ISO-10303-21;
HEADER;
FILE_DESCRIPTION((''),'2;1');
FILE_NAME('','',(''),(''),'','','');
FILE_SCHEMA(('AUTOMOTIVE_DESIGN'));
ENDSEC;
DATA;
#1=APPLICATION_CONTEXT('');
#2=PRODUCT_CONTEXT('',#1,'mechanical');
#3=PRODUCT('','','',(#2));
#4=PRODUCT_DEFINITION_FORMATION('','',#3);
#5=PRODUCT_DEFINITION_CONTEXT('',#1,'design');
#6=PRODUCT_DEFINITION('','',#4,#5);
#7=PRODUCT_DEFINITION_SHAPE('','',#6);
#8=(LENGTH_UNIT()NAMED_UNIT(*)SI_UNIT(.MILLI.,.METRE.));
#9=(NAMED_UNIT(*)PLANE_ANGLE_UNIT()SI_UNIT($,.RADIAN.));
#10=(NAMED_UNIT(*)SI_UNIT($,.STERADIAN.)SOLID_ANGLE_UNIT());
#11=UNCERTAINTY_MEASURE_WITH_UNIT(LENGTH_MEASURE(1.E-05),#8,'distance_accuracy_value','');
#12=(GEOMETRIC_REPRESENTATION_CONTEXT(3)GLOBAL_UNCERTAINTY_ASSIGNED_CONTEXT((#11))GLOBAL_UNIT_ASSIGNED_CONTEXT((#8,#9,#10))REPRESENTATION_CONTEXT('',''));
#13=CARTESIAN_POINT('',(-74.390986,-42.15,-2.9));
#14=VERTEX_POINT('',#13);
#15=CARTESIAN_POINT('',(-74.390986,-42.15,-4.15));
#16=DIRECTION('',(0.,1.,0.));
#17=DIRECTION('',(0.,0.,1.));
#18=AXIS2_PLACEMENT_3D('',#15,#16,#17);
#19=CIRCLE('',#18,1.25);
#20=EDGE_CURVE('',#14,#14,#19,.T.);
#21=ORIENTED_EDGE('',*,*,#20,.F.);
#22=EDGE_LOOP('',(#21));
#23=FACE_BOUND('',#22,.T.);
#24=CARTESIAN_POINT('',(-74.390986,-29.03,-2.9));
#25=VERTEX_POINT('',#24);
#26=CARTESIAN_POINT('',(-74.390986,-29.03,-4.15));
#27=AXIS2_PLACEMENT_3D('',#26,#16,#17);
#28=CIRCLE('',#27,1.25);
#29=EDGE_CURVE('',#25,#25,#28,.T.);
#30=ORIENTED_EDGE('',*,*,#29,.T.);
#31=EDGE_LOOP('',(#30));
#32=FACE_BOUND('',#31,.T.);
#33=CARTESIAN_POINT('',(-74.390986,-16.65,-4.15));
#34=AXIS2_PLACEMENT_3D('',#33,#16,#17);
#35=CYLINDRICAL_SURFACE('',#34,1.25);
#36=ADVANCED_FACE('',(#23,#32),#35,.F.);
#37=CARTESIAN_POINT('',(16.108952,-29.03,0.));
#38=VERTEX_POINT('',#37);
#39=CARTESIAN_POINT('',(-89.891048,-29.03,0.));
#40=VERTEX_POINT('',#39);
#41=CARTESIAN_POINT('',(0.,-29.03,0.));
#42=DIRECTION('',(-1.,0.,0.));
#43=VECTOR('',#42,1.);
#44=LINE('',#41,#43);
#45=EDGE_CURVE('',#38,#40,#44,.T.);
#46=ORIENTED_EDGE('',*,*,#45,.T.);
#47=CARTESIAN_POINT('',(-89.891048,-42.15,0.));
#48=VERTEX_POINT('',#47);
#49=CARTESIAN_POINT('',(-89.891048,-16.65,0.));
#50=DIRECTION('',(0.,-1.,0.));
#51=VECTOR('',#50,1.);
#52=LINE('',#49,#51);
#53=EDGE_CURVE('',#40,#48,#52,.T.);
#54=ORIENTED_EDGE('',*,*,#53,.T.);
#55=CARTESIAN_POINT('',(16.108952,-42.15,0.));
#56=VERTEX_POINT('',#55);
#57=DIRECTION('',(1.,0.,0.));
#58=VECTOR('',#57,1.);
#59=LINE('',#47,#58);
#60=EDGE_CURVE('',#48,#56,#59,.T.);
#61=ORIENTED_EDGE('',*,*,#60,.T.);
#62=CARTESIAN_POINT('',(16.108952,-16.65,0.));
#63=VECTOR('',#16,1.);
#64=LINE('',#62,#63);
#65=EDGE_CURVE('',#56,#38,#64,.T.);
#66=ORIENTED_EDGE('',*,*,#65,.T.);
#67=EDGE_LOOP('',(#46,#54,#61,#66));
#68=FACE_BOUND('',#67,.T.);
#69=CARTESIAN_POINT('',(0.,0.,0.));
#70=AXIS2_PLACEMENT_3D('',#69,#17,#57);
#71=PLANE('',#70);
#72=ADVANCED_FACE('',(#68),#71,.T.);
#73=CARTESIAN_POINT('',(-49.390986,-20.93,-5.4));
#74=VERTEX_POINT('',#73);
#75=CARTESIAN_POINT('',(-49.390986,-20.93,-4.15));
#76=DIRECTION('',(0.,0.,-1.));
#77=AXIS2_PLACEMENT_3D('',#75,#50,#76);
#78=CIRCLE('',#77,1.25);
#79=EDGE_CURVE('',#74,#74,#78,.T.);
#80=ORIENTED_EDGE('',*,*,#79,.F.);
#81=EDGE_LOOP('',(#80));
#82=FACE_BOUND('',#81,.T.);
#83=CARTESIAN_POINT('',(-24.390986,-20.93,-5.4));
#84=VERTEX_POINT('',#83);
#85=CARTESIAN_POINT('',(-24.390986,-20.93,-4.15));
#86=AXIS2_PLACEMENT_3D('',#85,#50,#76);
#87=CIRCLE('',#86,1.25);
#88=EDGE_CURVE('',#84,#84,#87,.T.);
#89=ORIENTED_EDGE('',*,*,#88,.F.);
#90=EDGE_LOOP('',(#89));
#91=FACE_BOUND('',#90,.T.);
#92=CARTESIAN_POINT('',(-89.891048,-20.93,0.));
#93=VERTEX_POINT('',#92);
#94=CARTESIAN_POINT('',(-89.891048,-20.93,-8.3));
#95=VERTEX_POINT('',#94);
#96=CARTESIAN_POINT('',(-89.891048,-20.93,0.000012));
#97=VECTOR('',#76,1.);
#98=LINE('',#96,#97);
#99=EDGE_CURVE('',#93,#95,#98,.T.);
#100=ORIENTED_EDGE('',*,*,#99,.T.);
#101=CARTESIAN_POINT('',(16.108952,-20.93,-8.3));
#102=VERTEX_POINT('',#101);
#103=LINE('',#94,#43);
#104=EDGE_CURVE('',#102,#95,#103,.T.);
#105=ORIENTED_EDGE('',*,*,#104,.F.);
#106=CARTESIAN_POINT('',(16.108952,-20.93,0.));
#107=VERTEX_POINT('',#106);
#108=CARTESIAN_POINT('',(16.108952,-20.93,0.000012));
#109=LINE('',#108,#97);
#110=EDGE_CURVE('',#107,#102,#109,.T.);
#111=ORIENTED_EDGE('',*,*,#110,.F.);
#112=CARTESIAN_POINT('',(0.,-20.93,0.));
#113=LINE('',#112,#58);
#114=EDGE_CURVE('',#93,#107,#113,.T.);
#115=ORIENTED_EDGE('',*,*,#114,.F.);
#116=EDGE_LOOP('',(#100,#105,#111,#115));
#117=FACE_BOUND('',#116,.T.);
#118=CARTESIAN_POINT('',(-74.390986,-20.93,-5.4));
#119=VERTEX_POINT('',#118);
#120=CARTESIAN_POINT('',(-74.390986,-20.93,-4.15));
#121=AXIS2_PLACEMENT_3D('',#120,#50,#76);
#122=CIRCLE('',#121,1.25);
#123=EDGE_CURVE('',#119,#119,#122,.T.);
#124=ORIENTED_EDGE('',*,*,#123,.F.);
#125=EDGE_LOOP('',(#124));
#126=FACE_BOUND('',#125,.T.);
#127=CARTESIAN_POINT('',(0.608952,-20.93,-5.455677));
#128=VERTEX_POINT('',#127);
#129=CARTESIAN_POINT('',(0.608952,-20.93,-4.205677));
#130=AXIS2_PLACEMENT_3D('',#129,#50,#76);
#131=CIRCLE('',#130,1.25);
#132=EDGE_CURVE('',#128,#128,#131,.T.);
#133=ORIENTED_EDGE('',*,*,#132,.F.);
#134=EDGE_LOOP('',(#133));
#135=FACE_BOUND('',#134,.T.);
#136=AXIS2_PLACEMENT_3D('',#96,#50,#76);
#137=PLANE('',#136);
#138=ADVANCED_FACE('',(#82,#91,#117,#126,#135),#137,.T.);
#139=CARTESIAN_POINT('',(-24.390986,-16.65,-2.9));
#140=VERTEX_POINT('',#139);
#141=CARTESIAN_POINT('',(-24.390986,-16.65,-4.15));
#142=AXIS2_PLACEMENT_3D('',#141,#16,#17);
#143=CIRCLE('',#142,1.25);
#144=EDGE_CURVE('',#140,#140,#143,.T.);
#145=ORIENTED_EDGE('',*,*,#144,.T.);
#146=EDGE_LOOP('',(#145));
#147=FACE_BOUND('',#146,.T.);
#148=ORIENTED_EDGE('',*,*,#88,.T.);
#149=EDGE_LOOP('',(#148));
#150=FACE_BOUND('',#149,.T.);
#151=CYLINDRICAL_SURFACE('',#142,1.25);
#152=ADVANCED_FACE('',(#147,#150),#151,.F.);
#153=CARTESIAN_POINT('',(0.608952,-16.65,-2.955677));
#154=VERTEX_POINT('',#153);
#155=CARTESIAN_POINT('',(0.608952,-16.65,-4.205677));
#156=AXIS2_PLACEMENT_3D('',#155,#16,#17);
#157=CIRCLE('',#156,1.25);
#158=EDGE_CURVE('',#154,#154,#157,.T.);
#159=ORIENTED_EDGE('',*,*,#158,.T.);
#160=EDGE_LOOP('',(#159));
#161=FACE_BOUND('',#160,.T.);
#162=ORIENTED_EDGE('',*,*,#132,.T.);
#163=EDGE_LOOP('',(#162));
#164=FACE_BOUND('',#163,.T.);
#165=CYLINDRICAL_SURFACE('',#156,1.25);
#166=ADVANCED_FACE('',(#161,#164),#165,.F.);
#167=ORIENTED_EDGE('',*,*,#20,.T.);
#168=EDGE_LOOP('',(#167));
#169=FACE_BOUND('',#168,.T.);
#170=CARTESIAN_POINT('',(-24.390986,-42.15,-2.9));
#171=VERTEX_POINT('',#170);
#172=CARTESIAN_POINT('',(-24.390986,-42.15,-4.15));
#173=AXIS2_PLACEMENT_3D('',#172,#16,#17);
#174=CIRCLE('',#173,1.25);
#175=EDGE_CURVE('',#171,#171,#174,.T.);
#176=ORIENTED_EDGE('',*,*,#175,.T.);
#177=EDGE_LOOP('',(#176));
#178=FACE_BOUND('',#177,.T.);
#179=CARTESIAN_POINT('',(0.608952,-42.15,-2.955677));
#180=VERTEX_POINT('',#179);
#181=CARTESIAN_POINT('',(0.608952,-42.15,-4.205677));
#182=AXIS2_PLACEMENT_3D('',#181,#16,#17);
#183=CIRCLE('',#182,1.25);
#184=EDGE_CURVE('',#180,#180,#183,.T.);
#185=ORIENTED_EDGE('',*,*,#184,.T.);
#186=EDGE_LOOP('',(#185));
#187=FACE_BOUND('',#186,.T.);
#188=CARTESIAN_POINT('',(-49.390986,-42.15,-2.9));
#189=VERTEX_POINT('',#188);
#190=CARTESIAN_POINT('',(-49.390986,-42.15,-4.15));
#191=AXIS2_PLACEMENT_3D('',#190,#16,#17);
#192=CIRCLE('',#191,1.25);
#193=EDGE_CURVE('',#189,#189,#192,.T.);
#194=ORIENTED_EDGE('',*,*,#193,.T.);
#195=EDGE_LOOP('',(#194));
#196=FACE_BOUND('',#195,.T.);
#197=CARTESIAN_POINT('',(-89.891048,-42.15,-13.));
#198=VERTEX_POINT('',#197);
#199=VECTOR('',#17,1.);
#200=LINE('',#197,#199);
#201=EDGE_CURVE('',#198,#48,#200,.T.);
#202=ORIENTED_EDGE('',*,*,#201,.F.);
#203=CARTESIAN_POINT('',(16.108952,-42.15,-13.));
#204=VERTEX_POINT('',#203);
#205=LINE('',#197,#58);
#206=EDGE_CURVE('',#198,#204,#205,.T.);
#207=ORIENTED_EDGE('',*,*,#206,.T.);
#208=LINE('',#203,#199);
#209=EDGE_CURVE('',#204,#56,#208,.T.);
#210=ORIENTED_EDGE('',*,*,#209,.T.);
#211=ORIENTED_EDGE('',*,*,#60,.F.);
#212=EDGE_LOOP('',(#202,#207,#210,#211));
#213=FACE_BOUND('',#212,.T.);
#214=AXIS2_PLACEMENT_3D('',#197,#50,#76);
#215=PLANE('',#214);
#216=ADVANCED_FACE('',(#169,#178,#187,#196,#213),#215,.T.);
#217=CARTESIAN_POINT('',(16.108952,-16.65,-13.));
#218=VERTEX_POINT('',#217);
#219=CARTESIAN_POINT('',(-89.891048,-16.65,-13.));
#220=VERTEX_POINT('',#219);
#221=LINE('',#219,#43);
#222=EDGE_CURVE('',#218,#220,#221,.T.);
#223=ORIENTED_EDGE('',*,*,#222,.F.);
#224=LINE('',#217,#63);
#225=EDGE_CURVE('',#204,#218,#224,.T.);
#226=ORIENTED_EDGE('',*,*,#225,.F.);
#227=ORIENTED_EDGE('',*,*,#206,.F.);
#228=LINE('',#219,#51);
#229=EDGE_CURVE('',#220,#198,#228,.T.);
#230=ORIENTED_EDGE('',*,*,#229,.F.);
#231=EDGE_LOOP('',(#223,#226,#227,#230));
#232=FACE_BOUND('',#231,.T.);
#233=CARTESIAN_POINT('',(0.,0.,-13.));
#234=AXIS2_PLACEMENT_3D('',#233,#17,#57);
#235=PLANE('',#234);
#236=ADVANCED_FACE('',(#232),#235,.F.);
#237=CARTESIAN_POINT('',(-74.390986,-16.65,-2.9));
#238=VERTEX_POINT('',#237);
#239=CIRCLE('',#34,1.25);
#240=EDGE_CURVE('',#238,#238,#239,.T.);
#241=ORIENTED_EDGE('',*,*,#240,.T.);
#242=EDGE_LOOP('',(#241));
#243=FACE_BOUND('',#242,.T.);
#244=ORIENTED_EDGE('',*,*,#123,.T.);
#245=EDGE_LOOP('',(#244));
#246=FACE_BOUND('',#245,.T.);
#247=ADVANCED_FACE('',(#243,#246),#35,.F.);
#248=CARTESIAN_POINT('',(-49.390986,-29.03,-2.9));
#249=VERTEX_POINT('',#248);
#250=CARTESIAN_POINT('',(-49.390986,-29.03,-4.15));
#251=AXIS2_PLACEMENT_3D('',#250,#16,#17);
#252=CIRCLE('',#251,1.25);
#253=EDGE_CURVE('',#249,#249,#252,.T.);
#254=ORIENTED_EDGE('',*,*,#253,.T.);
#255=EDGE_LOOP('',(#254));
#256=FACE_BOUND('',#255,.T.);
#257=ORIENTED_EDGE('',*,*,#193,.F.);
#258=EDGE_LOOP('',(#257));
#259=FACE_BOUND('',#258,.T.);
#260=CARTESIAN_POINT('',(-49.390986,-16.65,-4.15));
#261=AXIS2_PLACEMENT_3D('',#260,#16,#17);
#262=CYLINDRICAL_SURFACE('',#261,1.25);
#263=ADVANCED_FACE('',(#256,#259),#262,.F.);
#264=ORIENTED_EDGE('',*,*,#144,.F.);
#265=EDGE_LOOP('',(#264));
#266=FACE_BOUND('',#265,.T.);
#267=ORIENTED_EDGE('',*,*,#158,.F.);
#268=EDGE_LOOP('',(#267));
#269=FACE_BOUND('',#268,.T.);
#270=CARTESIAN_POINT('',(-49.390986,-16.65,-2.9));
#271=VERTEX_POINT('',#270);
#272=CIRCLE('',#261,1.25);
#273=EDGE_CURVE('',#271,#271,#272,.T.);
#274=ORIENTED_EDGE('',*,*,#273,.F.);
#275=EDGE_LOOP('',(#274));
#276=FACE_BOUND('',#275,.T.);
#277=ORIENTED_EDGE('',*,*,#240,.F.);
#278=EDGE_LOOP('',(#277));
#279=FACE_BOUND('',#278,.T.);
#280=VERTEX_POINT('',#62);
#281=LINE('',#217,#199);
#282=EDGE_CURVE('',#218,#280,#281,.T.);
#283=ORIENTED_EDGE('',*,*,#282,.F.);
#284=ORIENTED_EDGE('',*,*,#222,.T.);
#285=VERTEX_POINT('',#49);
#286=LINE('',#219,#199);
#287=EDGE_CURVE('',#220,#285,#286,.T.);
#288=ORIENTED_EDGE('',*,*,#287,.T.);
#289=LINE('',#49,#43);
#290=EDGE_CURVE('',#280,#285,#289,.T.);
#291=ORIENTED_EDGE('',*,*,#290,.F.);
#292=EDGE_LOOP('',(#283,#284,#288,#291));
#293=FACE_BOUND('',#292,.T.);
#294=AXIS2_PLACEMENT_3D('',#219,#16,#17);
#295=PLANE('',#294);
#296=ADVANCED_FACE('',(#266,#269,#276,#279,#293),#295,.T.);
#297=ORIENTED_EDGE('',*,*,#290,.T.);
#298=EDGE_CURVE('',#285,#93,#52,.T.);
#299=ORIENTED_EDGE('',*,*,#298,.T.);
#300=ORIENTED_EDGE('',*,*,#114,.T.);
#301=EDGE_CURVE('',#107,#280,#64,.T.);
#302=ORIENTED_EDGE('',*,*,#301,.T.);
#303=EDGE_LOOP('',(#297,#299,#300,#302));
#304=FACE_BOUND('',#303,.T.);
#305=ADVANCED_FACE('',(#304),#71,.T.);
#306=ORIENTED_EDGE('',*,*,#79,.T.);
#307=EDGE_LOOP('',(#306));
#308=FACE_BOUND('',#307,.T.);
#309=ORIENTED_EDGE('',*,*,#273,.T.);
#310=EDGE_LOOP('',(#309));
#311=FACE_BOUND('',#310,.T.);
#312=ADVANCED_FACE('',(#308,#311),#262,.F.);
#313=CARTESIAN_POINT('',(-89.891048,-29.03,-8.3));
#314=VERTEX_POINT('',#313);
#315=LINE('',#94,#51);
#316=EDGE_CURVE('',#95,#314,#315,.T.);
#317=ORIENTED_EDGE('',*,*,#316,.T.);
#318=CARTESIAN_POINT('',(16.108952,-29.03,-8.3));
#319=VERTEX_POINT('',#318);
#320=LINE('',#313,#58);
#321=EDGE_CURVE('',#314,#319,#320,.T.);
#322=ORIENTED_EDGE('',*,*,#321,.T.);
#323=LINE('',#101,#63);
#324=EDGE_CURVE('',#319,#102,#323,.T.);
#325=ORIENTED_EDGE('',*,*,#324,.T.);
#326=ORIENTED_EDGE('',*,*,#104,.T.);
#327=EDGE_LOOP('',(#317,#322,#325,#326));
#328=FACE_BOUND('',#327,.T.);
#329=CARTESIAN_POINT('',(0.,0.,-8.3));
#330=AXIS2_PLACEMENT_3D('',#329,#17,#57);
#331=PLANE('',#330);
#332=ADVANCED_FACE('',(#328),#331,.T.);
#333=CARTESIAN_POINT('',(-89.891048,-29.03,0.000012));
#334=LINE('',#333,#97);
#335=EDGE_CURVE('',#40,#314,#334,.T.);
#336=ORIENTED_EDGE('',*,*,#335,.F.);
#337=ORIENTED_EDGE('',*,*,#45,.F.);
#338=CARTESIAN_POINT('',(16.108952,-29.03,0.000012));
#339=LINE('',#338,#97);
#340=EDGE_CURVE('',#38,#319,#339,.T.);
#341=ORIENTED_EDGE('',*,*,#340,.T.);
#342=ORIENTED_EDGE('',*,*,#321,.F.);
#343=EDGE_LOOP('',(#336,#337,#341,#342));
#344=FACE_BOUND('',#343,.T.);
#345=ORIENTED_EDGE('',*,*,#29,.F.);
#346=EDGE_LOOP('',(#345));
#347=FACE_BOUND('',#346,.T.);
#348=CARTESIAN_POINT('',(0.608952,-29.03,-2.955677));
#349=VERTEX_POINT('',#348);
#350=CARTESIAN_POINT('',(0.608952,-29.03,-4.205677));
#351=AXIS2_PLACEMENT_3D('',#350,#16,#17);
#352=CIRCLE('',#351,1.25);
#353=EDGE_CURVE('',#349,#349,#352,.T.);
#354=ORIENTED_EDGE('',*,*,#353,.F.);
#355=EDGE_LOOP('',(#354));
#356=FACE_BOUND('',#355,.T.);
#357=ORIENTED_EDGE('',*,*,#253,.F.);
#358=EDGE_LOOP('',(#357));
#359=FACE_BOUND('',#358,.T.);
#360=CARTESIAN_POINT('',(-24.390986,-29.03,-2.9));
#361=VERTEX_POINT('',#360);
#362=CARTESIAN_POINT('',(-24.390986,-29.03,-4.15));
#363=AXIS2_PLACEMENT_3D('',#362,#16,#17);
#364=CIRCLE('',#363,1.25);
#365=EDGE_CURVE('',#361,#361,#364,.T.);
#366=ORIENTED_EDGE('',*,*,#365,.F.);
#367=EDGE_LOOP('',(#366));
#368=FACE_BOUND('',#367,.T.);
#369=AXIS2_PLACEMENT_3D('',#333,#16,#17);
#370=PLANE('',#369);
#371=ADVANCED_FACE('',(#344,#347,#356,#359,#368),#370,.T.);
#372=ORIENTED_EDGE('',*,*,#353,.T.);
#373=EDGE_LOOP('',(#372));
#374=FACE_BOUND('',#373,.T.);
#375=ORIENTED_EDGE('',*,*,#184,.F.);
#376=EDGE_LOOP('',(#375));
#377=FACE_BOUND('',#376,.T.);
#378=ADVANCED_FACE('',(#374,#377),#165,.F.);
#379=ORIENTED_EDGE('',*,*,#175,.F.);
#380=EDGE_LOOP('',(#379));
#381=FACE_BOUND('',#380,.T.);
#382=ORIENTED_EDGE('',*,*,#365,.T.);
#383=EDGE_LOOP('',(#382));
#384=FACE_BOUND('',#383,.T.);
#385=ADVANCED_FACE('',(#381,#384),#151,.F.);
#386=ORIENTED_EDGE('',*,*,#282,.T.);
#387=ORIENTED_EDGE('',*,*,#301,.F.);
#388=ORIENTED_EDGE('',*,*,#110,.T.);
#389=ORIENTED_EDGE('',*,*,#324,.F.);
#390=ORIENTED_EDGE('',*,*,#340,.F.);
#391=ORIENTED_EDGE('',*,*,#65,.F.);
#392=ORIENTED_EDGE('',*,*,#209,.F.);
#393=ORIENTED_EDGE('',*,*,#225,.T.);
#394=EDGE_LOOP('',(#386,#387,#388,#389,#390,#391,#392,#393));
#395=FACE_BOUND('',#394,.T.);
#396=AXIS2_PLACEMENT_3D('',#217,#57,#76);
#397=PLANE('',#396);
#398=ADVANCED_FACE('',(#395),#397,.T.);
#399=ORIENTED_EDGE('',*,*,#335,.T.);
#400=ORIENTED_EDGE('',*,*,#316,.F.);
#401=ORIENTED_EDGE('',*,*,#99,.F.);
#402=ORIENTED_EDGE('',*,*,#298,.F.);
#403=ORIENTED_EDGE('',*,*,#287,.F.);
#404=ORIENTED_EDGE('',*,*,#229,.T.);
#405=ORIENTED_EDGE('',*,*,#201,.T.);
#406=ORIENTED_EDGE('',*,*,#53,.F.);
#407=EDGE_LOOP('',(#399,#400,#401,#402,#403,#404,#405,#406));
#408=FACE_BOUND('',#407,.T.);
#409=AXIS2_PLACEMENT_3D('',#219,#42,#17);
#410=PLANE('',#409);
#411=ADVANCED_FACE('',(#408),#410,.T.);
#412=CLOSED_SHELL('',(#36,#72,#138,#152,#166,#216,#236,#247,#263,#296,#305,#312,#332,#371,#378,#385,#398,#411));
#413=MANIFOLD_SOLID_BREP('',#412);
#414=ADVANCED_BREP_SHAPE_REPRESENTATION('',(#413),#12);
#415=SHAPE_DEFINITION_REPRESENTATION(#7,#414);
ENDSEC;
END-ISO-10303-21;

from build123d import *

# Parameters (mm, degrees)
SKETCH4_W               = 106
SKETCH4_H               = 25.5
BOSS_EXTRUDE2_DEPTH     = 13
CUT_EXTRUDE3_DEPTH      = 101.130030155
CUT_EXTRUDE3_DEPTH_BACK = 8.3
SKETCH25_W              = 106
SKETCH25_H              = 8.1
M3X0_5_TAPPED_HOLE1_D   = 2.5


with BuildPart() as part:
    # Sketch4 → Boss-Extrude2 (new body)
    with BuildSketch(Plane.XY):
        with Locations((-36.891047602, -29.4)):
            Rectangle(SKETCH4_W, SKETCH4_H)
    extrude(amount=-BOSS_EXTRUDE2_DEPTH)

    # Sketch25 → Cut-Extrude3 (cut, two sides: drawn at the far end of the back side and taken through both)
    with BuildSketch(Plane.XY.offset(-CUT_EXTRUDE3_DEPTH_BACK)):
        with Locations((-36.891047602, -24.98)):
            Rectangle(SKETCH25_W, SKETCH25_H)
    extrude(amount=CUT_EXTRUDE3_DEPTH + CUT_EXTRUDE3_DEPTH_BACK, mode=Mode.SUBTRACT)

    # M3x0.5 Tapped Hole1 (through all)
    with Locations(Plane(origin=(-74.390985602, -16.65, -4.15), x_dir=(0, 0, 1), z_dir=(0, 1, 0))):
        with Locations((0, 0), (0, 25), (-0.055677319, 74.999938), (0, 50)):
            Hole(M3X0_5_TAPPED_HOLE1_D / 2)


solid = part.part
